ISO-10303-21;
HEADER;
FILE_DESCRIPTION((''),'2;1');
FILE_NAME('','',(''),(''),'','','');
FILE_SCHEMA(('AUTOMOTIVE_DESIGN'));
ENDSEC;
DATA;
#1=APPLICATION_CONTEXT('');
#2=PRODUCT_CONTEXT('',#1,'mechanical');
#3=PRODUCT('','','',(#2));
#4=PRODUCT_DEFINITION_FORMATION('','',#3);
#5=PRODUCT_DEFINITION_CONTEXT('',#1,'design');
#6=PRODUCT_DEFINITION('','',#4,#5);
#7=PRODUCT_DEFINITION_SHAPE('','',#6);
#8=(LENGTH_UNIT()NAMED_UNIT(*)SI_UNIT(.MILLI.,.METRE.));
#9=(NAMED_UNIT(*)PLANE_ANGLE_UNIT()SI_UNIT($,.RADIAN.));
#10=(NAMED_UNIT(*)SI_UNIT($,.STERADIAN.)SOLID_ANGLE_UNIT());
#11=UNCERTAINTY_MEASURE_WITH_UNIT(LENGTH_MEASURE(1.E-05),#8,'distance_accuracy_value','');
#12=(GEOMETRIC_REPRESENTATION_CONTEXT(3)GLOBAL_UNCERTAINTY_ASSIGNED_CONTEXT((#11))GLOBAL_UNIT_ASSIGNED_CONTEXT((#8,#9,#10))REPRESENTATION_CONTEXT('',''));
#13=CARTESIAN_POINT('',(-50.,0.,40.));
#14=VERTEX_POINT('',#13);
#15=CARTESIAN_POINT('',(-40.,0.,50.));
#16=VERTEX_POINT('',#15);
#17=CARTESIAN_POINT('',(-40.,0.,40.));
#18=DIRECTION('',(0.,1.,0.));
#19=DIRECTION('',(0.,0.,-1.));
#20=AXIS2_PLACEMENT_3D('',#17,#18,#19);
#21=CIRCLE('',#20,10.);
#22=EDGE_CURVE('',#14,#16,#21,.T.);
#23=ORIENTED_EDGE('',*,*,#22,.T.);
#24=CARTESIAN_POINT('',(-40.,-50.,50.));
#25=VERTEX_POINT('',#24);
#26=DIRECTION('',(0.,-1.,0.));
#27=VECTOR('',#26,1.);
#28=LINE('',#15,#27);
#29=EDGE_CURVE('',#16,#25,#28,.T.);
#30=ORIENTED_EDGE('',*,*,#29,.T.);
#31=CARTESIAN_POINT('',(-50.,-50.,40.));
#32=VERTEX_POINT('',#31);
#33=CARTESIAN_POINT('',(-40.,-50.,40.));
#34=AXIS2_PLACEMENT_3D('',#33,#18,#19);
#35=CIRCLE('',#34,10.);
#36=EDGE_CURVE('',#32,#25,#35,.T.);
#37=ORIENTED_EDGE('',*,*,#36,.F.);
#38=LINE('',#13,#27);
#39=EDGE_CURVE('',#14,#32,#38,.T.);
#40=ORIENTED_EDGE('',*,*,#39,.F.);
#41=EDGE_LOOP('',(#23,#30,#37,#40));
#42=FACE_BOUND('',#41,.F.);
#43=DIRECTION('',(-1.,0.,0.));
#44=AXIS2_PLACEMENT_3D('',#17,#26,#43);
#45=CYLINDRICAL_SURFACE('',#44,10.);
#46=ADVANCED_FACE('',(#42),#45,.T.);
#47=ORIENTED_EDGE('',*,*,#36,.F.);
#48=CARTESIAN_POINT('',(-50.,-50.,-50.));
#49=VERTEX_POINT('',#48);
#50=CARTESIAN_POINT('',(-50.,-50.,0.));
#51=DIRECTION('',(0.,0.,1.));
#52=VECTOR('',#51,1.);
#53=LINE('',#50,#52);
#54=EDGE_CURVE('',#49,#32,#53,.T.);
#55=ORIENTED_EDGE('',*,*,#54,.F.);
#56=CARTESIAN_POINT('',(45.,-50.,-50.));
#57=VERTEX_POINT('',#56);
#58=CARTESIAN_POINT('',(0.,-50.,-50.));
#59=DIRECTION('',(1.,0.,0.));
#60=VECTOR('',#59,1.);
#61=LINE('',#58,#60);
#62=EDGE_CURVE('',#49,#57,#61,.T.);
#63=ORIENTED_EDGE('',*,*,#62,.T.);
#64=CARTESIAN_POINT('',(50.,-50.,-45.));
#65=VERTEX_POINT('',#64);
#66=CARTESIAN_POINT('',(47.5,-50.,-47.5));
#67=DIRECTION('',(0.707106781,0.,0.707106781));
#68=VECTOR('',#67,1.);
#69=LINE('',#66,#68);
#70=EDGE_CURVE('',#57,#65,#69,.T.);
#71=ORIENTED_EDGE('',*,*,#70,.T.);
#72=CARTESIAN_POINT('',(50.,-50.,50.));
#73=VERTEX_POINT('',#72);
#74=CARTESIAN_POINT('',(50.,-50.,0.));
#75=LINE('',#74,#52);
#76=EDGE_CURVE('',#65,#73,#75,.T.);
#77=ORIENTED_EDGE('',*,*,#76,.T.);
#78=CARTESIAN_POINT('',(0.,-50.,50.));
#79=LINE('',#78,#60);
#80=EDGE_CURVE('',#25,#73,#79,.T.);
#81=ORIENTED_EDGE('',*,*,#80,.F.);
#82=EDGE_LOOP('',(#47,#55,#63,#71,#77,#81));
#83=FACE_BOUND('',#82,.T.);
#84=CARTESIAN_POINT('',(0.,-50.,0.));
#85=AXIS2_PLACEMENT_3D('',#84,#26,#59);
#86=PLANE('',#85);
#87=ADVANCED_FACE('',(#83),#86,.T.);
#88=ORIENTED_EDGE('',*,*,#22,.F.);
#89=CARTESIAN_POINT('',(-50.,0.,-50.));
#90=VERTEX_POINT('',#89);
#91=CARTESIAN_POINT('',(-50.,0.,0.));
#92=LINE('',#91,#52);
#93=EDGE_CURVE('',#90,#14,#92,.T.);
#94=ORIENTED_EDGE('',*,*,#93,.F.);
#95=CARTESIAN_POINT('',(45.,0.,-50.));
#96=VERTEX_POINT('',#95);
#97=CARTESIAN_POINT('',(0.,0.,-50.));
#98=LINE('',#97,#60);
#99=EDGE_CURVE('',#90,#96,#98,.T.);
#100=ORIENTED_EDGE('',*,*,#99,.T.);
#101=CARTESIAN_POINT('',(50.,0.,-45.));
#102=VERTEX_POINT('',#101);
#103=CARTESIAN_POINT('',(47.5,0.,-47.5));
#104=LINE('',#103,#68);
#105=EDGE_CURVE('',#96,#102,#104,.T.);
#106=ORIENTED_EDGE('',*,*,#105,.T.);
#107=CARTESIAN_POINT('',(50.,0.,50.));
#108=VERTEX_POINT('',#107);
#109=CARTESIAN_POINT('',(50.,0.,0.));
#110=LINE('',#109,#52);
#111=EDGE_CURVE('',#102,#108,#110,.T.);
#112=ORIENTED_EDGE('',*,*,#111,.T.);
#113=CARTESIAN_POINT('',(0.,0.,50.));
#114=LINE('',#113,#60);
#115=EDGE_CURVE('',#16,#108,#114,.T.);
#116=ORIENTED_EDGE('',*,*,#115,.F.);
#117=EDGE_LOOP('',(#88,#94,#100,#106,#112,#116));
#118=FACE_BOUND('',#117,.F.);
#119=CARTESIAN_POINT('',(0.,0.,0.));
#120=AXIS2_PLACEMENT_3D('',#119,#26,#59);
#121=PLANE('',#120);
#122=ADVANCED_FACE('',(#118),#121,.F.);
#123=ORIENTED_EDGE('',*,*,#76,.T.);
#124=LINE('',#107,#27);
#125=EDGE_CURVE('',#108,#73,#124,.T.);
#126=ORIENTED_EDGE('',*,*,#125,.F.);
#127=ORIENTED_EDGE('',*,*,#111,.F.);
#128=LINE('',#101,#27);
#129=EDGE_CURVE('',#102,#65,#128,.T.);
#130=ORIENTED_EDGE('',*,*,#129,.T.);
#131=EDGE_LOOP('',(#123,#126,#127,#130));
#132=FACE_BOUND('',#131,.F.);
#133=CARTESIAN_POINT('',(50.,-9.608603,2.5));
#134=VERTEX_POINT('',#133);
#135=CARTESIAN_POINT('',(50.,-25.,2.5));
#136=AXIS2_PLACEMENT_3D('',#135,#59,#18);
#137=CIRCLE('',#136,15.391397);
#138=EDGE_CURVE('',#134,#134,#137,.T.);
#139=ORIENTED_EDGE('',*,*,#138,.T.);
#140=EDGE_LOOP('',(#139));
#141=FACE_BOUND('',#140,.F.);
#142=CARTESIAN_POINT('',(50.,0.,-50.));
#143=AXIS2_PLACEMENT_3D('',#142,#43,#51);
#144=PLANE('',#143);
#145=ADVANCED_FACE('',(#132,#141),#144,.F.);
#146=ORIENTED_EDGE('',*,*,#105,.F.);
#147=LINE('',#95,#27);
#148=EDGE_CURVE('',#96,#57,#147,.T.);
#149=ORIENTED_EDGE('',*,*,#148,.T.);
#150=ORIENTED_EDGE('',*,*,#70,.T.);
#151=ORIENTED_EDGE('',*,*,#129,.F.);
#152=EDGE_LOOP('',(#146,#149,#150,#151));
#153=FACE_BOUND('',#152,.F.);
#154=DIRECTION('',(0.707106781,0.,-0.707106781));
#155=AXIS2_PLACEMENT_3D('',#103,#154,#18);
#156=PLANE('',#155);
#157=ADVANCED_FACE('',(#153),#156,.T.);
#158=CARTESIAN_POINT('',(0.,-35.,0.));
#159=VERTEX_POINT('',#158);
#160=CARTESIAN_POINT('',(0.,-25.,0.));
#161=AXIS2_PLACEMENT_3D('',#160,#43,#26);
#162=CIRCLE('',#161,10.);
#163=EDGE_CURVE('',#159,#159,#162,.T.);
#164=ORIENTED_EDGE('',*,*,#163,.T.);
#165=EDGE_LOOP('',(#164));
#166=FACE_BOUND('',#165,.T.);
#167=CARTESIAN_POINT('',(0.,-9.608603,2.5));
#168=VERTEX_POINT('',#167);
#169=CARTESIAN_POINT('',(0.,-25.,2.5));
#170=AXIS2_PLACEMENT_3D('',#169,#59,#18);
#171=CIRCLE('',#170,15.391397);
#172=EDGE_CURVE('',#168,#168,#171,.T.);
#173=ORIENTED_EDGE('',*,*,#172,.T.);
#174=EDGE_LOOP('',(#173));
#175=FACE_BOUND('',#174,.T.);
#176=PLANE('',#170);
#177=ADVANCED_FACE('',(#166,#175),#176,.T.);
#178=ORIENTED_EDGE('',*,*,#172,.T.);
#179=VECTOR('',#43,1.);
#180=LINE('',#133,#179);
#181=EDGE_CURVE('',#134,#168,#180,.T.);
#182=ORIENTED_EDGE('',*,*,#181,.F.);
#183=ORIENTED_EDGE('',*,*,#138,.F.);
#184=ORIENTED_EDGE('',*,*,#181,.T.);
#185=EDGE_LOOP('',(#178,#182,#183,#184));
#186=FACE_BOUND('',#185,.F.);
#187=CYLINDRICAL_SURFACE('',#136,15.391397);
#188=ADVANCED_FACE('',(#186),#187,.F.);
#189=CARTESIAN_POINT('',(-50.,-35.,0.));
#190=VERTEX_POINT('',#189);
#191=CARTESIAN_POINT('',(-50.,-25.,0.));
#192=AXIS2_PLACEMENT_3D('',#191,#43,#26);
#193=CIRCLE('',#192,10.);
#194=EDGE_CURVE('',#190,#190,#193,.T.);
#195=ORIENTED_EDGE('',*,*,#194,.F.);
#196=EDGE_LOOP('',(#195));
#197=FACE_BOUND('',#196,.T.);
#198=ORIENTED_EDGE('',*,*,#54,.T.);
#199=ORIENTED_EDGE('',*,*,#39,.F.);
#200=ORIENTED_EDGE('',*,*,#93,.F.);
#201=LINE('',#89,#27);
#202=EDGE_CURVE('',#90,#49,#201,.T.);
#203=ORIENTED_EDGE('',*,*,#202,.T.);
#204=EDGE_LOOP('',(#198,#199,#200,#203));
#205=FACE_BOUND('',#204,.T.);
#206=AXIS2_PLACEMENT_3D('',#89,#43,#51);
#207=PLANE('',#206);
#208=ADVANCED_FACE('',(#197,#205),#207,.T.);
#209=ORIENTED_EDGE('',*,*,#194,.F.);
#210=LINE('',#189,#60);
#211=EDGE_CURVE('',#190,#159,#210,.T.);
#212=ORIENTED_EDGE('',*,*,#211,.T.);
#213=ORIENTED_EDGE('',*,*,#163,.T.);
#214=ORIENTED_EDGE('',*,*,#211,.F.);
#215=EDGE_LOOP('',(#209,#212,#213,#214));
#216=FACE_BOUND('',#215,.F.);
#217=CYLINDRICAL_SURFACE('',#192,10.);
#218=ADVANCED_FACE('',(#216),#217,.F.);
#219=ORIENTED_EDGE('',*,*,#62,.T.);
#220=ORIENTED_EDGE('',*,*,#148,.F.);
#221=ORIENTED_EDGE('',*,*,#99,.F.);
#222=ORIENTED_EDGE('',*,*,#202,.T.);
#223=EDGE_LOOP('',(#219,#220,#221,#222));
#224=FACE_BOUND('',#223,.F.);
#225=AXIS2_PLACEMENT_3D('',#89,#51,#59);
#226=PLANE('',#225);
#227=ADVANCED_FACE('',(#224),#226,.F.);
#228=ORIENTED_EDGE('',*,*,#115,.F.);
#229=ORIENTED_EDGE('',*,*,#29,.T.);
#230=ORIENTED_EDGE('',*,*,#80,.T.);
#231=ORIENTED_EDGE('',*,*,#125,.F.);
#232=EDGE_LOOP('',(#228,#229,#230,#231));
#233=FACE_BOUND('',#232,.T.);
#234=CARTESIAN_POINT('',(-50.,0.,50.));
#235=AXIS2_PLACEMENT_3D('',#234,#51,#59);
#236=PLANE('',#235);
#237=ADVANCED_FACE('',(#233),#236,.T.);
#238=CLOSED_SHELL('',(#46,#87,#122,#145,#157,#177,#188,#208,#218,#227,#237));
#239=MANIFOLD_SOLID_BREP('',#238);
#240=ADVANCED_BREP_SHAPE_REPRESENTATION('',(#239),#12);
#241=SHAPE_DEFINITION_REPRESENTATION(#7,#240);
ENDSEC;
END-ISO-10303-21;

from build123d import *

# Parameters (mm, degrees)
F0_W     = 100
F0_H     = 100
F1_DEPTH = 50
F2_R     = 10
F3_SIZE  = 5
F4_R     = 15.391397
F5_DEPTH = 50
F6_R     = 10
F7_DEPTH = 50


with BuildPart() as f1:
    # F0 (on Front) → F1 (new body)
    with BuildSketch(Plane.XZ):
        Rectangle(F0_W, F0_H)
    extrude(amount=F1_DEPTH)

    # F2
    f2_edges = [f1.edges().sort_by_distance(p)[0] for p in [
        (-50, -25, 50),
    ]]
    fillet(f2_edges, radius=F2_R)

    # F3
    f3_edges = [f1.edges().sort_by_distance(p)[0] for p in [
        (50, -25, -50),
    ]]
    chamfer(f3_edges, length=F3_SIZE)

    # F4 (on face) → F5 (cut)
    with BuildSketch(Plane.YZ.offset(50)):
        with Locations((-25, 2.5)):
            Circle(F4_R)
    extrude(amount=-F5_DEPTH, mode=Mode.SUBTRACT)

    # F6 (on face) → F7 (cut)
    with BuildSketch(Plane(origin=(-50, 0, 0), x_dir=(0, -1, 0), z_dir=(-1, 0, 0))):
        with Locations((25, 0)):
            Circle(F6_R)
    extrude(amount=-F7_DEPTH, mode=Mode.SUBTRACT)


solid = f1.part
